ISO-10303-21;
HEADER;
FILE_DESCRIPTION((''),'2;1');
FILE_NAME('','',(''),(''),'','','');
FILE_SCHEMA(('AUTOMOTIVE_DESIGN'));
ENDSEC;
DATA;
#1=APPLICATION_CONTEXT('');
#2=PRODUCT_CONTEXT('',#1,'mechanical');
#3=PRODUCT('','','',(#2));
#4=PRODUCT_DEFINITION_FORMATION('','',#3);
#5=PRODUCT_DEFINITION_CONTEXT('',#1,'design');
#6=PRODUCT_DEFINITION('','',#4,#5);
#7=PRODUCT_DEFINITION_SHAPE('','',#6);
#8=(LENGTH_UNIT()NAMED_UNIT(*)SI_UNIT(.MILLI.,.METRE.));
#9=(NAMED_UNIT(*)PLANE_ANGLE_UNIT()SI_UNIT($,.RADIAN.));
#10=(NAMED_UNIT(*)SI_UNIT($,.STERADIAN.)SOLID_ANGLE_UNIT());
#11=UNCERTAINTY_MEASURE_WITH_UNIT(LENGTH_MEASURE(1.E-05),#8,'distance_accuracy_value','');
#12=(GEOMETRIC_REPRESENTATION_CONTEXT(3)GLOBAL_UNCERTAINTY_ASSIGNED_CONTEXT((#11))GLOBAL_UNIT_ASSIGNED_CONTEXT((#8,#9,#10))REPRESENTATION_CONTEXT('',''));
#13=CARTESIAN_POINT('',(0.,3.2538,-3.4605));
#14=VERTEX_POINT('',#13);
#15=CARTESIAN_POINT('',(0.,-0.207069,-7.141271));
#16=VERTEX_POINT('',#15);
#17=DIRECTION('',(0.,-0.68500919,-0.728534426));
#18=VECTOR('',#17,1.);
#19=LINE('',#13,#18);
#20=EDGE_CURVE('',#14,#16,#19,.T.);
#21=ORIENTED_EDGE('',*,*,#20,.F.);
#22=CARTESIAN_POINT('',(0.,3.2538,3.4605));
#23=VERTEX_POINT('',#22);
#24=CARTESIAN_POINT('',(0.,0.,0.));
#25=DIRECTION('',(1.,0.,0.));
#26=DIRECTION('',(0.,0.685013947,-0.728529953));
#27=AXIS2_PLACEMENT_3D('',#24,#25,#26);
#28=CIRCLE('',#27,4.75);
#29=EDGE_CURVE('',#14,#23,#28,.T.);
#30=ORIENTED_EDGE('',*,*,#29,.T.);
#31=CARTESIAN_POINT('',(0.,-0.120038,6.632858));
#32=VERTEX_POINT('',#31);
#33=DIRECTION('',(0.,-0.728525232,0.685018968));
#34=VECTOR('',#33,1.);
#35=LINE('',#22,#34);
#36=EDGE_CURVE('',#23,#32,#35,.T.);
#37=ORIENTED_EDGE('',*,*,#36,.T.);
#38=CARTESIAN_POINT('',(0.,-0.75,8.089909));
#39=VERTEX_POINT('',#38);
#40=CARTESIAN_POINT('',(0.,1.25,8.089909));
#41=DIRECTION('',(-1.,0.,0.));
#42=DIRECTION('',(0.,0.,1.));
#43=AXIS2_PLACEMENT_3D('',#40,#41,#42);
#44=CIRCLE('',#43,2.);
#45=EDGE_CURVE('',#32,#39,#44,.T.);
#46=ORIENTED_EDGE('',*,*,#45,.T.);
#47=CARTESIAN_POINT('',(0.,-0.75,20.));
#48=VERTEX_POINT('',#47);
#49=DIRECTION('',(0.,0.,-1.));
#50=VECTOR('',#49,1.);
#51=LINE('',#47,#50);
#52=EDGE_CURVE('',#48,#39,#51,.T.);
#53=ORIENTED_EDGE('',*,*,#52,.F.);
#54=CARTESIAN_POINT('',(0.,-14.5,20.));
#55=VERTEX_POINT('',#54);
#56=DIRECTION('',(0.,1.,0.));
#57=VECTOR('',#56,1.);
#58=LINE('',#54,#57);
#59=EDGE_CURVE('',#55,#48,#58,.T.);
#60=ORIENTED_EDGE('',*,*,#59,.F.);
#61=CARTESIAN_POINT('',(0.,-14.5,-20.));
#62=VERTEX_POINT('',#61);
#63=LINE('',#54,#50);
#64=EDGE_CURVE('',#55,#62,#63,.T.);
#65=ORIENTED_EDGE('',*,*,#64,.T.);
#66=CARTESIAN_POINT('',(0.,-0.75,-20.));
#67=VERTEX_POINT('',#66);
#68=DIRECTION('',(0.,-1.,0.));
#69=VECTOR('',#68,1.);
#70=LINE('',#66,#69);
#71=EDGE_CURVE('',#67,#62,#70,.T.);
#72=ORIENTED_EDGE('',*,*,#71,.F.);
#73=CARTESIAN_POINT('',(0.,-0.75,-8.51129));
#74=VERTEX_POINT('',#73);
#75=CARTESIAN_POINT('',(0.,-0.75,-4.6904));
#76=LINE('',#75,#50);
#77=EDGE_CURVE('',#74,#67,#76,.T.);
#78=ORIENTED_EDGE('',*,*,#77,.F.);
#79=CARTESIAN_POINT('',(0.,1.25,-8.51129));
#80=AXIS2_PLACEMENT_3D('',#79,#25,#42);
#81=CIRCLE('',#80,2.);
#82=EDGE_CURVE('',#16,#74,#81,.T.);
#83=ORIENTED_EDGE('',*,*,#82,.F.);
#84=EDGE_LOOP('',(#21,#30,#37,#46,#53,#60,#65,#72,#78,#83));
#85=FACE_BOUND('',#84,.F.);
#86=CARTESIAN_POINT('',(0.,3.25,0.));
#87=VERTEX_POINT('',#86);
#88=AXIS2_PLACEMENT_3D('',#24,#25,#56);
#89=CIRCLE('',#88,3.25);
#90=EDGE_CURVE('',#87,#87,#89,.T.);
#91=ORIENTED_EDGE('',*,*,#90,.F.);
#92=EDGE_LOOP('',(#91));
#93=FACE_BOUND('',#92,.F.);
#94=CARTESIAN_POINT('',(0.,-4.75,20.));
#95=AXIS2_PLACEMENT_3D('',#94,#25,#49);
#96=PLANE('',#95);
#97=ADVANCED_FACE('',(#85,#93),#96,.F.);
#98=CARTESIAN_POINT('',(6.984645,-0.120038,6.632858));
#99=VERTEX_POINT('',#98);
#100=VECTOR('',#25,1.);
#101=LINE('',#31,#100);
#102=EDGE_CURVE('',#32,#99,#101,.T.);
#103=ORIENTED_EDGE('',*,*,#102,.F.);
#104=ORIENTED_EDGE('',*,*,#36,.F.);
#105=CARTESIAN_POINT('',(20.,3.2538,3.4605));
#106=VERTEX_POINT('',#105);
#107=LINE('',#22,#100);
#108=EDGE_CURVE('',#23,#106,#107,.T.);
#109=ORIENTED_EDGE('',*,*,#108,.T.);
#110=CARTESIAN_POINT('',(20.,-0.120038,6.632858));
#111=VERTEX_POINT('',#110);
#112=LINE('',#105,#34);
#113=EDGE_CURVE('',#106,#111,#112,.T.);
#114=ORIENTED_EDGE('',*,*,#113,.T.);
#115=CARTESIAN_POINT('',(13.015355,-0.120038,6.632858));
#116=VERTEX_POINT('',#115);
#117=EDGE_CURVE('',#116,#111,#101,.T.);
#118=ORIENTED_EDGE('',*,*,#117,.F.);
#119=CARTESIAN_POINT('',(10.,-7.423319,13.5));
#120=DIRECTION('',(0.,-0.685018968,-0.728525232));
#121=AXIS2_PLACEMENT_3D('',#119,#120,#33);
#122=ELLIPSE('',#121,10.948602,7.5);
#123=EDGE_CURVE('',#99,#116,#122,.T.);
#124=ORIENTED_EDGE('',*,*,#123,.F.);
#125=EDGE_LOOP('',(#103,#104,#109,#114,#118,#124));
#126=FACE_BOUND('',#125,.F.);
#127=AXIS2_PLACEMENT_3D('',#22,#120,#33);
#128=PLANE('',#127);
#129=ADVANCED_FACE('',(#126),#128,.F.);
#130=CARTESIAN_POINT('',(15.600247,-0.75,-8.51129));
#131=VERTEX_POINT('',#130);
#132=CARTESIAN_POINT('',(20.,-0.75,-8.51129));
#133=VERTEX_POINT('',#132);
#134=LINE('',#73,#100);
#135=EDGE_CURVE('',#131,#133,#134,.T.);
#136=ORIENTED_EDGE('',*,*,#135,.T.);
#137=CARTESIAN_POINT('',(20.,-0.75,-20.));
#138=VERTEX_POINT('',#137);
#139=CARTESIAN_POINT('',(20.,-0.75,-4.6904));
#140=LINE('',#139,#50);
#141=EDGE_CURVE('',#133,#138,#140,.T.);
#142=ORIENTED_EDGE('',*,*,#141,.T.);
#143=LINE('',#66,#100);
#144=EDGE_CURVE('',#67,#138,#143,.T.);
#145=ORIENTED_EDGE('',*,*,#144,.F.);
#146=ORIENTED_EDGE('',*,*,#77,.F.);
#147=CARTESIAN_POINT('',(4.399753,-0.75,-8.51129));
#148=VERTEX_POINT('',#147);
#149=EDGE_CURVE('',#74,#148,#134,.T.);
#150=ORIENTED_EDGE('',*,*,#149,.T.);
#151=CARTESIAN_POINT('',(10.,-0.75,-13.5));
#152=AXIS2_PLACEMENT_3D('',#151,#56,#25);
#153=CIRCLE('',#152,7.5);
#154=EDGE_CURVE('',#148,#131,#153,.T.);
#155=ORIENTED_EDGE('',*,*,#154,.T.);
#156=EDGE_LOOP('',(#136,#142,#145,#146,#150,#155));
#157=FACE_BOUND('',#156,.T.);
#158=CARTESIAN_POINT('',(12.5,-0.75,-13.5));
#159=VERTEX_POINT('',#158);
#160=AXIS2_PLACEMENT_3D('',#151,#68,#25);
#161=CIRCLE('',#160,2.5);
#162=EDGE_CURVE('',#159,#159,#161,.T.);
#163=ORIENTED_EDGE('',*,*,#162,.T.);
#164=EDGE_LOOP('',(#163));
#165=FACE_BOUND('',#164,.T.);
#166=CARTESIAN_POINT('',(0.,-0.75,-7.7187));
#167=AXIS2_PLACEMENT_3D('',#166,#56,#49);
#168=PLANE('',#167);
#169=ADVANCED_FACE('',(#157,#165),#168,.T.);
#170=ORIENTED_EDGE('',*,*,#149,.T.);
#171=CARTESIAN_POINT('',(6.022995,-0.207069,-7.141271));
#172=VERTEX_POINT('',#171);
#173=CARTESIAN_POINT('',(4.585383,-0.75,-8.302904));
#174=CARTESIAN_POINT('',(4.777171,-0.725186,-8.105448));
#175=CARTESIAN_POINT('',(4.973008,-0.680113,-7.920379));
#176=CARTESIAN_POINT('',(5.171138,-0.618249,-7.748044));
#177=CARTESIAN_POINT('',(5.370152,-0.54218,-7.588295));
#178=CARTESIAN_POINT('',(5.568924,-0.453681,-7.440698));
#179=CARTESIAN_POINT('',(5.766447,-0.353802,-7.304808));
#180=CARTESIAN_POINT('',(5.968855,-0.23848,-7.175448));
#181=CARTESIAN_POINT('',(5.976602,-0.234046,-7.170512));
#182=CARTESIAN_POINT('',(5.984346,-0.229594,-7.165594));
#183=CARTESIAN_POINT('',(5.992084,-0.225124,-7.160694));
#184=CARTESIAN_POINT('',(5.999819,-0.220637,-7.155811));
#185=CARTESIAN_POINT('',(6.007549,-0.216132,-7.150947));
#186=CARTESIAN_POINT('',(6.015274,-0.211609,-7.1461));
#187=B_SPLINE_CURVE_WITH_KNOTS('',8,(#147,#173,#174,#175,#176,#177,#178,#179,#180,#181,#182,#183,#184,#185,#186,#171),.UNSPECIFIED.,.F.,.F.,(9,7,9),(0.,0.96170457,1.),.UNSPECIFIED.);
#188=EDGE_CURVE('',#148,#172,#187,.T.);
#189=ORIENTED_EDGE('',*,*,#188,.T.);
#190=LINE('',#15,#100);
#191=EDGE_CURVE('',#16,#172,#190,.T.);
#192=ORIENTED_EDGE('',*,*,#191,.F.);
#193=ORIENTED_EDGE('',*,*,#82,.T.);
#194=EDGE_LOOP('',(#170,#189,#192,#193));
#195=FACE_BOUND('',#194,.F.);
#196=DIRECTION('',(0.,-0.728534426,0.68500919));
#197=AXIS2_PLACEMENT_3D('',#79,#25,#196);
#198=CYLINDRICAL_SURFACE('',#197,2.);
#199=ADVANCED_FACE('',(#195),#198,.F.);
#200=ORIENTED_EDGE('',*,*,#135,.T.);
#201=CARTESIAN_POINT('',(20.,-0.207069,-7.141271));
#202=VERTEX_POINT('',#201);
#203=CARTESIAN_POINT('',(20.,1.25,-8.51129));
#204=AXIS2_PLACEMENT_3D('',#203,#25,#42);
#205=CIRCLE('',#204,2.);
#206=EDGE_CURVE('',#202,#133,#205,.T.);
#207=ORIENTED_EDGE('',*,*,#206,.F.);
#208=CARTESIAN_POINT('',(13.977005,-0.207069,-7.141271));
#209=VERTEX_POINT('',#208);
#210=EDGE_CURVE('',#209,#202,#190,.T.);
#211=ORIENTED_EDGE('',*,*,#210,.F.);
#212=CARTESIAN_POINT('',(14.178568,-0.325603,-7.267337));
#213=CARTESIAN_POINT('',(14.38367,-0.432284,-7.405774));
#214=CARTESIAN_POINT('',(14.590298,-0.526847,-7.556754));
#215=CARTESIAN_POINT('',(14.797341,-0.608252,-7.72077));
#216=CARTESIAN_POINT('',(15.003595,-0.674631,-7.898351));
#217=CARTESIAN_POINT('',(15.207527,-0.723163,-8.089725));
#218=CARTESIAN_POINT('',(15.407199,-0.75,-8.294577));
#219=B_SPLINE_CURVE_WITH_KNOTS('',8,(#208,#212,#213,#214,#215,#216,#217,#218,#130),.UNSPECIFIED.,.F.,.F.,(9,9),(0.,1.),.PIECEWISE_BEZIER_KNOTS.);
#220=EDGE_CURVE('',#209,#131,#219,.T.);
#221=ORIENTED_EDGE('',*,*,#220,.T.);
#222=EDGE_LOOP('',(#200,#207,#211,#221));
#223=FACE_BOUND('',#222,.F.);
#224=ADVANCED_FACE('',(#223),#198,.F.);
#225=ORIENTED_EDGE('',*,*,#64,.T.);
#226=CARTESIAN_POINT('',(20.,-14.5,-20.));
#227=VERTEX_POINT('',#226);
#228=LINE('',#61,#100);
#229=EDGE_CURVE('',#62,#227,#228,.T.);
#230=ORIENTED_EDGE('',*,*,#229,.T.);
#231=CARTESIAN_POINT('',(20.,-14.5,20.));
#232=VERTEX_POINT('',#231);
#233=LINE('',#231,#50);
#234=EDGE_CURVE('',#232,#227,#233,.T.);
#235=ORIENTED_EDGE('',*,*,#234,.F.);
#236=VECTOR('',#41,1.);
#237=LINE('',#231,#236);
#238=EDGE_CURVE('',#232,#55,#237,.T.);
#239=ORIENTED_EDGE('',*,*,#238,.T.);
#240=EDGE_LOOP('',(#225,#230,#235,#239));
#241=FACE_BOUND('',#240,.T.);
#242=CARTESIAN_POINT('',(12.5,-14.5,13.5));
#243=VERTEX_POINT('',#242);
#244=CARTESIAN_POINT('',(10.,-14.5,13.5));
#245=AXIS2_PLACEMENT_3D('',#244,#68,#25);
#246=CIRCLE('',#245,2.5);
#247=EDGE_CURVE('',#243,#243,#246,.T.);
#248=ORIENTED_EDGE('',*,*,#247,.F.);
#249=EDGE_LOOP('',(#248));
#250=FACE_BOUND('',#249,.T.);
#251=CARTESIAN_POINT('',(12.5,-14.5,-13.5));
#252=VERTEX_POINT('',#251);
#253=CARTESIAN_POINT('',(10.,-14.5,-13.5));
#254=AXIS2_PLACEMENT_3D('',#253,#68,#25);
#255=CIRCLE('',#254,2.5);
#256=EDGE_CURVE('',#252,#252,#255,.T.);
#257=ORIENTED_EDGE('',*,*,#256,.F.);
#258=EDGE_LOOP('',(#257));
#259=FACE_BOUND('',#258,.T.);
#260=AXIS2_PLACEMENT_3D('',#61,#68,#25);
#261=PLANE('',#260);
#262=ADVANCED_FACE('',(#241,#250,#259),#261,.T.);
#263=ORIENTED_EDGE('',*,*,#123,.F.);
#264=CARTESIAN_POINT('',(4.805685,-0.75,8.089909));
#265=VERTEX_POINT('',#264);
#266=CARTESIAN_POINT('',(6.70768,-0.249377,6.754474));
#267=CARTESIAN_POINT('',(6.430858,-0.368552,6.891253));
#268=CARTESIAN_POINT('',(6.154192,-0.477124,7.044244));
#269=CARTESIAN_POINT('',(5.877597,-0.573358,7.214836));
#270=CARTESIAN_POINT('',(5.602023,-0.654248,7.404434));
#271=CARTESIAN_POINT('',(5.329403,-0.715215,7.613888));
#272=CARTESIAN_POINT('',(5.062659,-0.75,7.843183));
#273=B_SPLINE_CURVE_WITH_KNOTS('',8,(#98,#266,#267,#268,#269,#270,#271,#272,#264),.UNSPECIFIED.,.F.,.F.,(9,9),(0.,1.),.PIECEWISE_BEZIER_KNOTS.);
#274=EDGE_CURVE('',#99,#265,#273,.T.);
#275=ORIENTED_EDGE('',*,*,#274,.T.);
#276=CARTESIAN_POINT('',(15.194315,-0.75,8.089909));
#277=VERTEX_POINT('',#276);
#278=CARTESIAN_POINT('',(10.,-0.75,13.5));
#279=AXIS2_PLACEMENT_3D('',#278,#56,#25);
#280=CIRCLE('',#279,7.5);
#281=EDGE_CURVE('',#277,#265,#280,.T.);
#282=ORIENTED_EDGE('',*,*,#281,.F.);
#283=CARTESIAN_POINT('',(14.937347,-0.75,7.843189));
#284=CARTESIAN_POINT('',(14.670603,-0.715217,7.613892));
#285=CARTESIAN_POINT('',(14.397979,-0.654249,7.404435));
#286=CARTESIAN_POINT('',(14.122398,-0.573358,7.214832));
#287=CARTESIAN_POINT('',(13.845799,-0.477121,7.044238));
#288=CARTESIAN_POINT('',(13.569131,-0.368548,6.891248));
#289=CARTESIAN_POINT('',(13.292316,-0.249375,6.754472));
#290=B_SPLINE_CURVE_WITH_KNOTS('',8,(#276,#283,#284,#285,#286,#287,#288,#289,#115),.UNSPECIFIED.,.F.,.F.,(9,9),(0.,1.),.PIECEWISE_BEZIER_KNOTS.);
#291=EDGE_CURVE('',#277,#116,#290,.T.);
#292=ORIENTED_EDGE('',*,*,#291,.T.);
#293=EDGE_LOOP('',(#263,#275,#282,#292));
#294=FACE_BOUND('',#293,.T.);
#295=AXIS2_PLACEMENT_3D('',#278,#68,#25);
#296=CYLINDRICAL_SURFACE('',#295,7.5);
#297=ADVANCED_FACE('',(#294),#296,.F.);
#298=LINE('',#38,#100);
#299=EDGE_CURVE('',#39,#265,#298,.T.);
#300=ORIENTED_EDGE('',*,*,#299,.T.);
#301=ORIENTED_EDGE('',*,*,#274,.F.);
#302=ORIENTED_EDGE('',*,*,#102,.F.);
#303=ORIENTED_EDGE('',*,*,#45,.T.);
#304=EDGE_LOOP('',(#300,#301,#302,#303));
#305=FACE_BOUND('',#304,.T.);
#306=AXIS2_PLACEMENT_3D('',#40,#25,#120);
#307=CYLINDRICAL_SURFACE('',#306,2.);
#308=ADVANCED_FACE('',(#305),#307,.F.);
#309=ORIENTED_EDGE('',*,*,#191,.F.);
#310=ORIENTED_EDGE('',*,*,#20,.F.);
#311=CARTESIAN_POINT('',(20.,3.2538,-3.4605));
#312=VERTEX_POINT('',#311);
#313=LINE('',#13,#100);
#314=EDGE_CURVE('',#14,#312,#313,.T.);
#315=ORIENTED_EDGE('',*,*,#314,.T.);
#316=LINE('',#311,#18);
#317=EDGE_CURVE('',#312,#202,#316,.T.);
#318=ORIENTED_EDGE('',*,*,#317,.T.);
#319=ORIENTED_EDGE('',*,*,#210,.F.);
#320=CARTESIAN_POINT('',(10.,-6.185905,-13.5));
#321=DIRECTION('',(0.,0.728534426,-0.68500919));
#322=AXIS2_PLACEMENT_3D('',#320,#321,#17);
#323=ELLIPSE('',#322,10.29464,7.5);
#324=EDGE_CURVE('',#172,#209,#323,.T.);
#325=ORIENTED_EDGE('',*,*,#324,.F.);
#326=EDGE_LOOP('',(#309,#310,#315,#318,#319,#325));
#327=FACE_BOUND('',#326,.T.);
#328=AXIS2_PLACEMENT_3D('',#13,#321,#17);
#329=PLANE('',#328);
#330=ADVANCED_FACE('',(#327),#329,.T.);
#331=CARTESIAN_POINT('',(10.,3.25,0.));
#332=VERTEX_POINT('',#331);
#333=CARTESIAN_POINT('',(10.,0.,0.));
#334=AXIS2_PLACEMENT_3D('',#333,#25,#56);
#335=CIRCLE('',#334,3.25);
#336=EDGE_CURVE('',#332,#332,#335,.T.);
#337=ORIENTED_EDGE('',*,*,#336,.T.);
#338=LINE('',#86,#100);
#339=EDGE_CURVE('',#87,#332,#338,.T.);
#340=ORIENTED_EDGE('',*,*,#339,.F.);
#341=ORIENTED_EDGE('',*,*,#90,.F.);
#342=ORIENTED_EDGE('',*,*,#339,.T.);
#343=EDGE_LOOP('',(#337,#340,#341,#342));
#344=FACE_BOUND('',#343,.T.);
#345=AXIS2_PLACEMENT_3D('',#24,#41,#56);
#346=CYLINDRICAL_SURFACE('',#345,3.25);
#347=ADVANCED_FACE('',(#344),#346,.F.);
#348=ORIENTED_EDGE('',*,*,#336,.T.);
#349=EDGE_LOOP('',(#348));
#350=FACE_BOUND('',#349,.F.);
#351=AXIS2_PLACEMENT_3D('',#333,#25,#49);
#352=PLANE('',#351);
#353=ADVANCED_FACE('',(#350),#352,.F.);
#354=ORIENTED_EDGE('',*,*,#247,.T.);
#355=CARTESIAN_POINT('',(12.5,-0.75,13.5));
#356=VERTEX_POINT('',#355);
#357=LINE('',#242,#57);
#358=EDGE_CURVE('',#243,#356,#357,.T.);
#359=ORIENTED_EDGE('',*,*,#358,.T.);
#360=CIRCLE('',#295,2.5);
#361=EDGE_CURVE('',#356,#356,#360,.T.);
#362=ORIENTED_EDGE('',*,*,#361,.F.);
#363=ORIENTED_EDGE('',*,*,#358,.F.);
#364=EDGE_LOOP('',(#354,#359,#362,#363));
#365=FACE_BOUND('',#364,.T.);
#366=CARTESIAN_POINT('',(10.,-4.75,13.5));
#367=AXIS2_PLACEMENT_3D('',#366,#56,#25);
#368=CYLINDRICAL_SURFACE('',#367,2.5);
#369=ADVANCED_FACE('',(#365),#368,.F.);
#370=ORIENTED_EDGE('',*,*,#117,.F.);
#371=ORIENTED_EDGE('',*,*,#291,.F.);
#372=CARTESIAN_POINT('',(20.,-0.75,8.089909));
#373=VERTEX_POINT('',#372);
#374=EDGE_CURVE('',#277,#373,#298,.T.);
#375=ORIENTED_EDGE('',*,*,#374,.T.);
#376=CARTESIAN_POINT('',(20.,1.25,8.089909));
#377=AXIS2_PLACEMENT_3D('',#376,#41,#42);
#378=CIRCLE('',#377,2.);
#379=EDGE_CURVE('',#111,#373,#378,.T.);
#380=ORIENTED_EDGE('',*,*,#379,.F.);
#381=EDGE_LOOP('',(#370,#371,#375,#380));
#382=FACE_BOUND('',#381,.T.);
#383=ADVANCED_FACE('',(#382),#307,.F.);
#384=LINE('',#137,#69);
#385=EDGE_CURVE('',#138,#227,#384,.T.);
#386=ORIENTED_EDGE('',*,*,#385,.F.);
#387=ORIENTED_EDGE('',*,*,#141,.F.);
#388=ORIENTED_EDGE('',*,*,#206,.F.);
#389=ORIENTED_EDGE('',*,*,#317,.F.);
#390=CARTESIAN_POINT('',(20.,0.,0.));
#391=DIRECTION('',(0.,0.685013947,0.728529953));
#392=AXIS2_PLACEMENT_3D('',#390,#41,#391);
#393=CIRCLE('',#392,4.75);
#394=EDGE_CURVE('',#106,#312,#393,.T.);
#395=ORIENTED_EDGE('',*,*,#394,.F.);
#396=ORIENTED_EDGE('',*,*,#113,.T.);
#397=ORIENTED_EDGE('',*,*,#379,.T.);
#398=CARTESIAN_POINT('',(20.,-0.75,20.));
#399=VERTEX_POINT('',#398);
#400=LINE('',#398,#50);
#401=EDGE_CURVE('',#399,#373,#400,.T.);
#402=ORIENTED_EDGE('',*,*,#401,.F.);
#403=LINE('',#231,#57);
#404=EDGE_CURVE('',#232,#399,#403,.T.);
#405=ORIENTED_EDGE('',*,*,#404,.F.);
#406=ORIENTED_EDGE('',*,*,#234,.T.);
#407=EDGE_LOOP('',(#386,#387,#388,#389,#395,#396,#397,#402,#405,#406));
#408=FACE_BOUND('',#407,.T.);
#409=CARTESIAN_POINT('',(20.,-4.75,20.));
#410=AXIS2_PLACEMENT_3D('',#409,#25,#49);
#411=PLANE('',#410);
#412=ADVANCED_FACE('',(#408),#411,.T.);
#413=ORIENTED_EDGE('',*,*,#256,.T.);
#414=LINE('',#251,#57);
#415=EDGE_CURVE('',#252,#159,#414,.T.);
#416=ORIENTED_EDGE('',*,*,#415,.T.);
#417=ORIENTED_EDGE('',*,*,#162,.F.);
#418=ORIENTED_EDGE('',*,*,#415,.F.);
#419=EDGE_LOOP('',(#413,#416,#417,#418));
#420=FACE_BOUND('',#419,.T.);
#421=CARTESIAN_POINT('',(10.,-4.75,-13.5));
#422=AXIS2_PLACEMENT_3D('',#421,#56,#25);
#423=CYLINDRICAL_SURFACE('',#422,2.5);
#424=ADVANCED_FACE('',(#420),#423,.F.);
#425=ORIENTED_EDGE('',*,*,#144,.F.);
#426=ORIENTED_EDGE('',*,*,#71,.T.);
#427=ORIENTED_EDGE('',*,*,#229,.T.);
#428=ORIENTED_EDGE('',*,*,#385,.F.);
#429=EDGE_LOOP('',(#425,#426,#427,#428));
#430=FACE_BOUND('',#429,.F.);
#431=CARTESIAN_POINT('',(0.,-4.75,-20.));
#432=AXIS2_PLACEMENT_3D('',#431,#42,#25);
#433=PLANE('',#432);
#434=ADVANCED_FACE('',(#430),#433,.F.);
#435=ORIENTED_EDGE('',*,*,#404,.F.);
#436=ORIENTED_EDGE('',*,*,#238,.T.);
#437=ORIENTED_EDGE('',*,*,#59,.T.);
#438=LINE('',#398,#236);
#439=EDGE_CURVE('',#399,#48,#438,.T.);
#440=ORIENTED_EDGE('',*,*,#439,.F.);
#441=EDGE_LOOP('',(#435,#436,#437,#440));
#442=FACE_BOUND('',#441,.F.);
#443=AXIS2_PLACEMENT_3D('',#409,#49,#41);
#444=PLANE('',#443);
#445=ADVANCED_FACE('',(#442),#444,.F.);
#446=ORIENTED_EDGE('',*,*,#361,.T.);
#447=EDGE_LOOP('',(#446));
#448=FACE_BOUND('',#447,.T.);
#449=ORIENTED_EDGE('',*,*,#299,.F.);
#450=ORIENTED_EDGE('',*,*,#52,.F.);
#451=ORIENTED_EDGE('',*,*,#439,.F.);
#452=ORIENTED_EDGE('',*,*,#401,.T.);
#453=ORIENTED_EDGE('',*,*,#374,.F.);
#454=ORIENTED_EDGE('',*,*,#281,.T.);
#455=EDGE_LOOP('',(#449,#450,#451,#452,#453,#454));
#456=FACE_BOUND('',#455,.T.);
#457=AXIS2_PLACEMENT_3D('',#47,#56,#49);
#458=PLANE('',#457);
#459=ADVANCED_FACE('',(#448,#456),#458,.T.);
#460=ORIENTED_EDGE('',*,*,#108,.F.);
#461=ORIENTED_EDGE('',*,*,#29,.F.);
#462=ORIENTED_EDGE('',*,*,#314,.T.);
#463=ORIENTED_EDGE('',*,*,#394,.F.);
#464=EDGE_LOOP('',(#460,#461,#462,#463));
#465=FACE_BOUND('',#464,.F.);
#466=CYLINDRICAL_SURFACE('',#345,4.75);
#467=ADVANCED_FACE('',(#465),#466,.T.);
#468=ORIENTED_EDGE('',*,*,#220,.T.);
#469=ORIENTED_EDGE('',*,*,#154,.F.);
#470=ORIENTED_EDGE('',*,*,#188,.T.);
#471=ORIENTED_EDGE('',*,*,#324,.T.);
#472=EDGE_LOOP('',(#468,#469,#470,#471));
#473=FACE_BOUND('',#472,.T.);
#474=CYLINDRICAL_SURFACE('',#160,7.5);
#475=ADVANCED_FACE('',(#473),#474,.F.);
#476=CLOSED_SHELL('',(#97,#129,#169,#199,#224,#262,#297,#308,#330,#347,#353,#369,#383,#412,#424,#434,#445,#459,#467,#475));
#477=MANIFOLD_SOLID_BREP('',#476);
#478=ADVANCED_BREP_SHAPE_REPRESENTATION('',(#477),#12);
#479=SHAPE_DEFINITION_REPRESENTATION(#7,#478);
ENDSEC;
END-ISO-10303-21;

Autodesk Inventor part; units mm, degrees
ref_plane "YZ Plane" through (0, 0, 0) normal (1, 0, 0) x (0, 1, 0)
ref_plane "XZ Plane" through (0, 0, 0) normal (0, 1, 0) x (-1, 0, 0)
ref_plane "XY Plane" through (0, 0, 0) normal (0, 0, 1) x (1, 0, 0)
sketch "Sketch1" plane through (0, 0, 0) normal (1, 0, 0) x (0, 1, 0)
  circle A0 centre (0, 0) radius 3.25
  circle A1 centre (0, 0) radius 4.75
  line L0 (-4.75, 0) -> (-4.75, -20)
  line L1 (-4.75, 0) -> (-4.75, 20)
  line L2 (-4.75, 20) -> (-0.75, 20)
  line L3 (-0.75, 20) -> (-0.75, 4.6904)
  line L4 (-0.75, -4.6904) -> (-0.75, -20)
  line L5 (-4.75, -20) -> (-0.75, -20)
  line L6 (3.2538, 3.4605) -> (-0.75, 7.2252)
  line L7 (3.2538, -3.4605) -> (-0.75, -7.7187)
  dimension "d0" = 6.5
  dimension "d1" = 9.5
  dimension "d2" = 20
  dimension "d3" = 20
  dimension "d4" = 4
extrude "Extrusion1" add sketch "Sketch1" along normal blind 20
sketch "Sketch3" plane through (0, -0.75, 20) normal (0, 1, 0) x (1, 0, 0)
  line L0 (0, 0) -> (0, 40) projected
  line L1 (0, 0) -> (10, 0)
  line L2 (0, 0) -> (20, 0) projected
  line L3 (10, 0) -> (10, 6.5)
  line L4 (0, 40) -> (20, 40) projected
  line L5 (0, 40) -> (10, 40)
  line L6 (10, 40) -> (10, 33.5)
  circle A0 centre (10, 6.5) radius 2.5
  circle A1 centre (10, 33.5) radius 2.5
  point P0 (0, 20)
  dimension "d7" = 6.5
  dimension "d8" = 6.5
  dimension "d9" = 5
  dimension "d10" = 5
extrude "Extrusion2" cut sketch "Sketch3" against normal blind 20
fillet "Fillet1" radius 2 2 edges at (10, -0.75, 7.2252) (10, -0.75, -7.7187)
sketch "Sketch4" plane through (20, 0, 0) normal (1, 0, 0) x (0, 0, -1)
  circle A0 centre (0, 0) radius 3.25
extrude "Extrusion3" add sketch "Sketch4" against normal blind 10
sketch "Sketch5" plane through (0, -4.75, -20) normal (0, -1, 0) x (1, 0, 0)
  line L0 (0, 0) -> (20, 0) projected
  line L1 (20, 40) -> (20, 0) projected
  line L2 (0, 0) -> (20, 0)
  line L3 (20, 0) -> (20, 40)
  line L4 (20, 40) -> (0, 40)
  line L5 (0, 40) -> (0, 0)
  circle A0 centre (10, 6.5) radius 2.5 projected
  circle A1 centre (10, 6.5) radius 2.5
  circle A2 centre (10, 33.5) radius 2.5 projected
  circle A3 centre (10, 33.5) radius 2.5
  point P0 (0, 20)
extrude "Extrusion4" add sketch "Sketch5" along normal blind 9.75
sketch "Sketch6" plane through (0, -0.75, -20) normal (0, 1, 0) x (1, 0, 0)
  circle A0 centre (10, -6.5) radius 2.5 projected
  circle A1 centre (10, -6.5) radius 7.5
  circle A2 centre (10, -33.5) radius 2.5 projected
  circle A3 centre (10, -33.5) radius 7.5
  point P0 (0, -20)
  dimension "d18" = 15
  dimension "d19" = 15
extrude "Extrusion5" cut sketch "Sketch6" along normal blind 9.75
properties part number "linac_lower_ax_mount"
